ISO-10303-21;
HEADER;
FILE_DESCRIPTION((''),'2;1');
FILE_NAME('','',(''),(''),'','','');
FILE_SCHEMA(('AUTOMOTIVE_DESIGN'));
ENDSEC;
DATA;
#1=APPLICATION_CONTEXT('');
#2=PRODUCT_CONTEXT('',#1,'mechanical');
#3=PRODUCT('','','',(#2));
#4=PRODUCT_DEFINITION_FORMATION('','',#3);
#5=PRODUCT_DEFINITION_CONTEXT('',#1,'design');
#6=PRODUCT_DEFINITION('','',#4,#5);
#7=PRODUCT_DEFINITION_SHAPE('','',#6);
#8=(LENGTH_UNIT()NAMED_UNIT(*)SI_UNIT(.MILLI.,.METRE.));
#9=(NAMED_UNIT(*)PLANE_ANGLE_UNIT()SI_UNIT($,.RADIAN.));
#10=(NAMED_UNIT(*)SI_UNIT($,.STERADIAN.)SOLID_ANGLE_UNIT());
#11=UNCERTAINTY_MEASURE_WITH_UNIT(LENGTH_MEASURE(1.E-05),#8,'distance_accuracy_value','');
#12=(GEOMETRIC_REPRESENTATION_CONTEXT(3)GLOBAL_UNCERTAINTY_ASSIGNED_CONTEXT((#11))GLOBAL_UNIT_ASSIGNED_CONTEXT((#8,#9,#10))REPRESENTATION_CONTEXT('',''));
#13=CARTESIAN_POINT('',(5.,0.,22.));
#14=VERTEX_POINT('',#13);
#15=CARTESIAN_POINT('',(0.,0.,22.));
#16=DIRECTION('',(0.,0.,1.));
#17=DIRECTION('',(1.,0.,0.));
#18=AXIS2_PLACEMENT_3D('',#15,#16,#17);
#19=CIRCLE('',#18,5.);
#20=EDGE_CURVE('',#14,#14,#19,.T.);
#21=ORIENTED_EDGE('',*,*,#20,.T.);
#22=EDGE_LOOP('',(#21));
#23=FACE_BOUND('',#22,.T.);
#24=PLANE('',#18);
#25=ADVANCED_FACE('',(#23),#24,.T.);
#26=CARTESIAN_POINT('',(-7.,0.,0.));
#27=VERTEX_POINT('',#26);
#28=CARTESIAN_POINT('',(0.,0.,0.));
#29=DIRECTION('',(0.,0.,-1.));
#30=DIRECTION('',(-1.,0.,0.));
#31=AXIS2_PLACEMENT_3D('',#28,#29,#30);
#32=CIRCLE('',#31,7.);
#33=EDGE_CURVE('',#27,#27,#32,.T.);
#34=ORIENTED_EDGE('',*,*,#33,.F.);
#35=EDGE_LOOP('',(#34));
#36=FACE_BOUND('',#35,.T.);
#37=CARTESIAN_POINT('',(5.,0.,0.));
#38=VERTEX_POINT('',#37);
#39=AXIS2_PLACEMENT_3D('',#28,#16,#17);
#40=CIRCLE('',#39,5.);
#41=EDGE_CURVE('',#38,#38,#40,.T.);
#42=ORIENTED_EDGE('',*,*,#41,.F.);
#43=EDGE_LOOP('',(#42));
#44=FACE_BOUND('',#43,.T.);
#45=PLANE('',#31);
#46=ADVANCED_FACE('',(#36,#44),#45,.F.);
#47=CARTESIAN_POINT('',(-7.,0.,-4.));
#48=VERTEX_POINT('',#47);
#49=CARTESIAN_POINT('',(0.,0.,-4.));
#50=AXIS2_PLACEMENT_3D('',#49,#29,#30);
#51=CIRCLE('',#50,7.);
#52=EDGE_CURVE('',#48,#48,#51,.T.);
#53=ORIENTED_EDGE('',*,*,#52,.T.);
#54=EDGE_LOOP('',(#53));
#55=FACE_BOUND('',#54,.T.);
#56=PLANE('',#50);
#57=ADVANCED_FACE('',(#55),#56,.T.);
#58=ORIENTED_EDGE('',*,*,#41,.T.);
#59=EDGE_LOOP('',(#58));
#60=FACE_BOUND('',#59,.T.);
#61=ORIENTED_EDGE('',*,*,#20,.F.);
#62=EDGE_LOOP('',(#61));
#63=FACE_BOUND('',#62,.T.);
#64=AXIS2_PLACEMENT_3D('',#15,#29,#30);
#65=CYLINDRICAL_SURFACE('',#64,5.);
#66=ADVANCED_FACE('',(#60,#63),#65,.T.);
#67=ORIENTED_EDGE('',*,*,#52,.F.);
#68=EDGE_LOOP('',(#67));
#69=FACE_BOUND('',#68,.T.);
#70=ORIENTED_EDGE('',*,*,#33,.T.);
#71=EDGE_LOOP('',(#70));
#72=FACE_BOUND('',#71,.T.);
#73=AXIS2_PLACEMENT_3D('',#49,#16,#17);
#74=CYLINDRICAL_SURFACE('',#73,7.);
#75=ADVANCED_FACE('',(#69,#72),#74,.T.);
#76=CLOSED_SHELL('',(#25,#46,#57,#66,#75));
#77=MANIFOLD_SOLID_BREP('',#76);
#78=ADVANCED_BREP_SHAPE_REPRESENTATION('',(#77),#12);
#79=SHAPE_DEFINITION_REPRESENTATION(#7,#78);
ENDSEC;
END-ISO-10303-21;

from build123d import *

# Parameters (mm, degrees)
ESBO_O1_R                = 5
RESSALTO_EXTRUS_O1_DEPTH = 22
ESBO_O2_R                = 7
RESSALTO_EXTRUS_O2_DEPTH = 4


with BuildPart() as part:
    # Esboço1 → Ressalto-extrusão1 (new body)
    with BuildSketch(Plane.XY):
        Circle(ESBO_O1_R)
    extrude(amount=RESSALTO_EXTRUS_O1_DEPTH)

    # Esboço2 → Ressalto-extrusão2 (add)
    with BuildSketch(Plane(origin=(0, 0, 0), x_dir=(-1, 0, 0), z_dir=(0, 0, -1))):
        Circle(ESBO_O2_R)
    extrude(amount=RESSALTO_EXTRUS_O2_DEPTH)


solid = part.part
